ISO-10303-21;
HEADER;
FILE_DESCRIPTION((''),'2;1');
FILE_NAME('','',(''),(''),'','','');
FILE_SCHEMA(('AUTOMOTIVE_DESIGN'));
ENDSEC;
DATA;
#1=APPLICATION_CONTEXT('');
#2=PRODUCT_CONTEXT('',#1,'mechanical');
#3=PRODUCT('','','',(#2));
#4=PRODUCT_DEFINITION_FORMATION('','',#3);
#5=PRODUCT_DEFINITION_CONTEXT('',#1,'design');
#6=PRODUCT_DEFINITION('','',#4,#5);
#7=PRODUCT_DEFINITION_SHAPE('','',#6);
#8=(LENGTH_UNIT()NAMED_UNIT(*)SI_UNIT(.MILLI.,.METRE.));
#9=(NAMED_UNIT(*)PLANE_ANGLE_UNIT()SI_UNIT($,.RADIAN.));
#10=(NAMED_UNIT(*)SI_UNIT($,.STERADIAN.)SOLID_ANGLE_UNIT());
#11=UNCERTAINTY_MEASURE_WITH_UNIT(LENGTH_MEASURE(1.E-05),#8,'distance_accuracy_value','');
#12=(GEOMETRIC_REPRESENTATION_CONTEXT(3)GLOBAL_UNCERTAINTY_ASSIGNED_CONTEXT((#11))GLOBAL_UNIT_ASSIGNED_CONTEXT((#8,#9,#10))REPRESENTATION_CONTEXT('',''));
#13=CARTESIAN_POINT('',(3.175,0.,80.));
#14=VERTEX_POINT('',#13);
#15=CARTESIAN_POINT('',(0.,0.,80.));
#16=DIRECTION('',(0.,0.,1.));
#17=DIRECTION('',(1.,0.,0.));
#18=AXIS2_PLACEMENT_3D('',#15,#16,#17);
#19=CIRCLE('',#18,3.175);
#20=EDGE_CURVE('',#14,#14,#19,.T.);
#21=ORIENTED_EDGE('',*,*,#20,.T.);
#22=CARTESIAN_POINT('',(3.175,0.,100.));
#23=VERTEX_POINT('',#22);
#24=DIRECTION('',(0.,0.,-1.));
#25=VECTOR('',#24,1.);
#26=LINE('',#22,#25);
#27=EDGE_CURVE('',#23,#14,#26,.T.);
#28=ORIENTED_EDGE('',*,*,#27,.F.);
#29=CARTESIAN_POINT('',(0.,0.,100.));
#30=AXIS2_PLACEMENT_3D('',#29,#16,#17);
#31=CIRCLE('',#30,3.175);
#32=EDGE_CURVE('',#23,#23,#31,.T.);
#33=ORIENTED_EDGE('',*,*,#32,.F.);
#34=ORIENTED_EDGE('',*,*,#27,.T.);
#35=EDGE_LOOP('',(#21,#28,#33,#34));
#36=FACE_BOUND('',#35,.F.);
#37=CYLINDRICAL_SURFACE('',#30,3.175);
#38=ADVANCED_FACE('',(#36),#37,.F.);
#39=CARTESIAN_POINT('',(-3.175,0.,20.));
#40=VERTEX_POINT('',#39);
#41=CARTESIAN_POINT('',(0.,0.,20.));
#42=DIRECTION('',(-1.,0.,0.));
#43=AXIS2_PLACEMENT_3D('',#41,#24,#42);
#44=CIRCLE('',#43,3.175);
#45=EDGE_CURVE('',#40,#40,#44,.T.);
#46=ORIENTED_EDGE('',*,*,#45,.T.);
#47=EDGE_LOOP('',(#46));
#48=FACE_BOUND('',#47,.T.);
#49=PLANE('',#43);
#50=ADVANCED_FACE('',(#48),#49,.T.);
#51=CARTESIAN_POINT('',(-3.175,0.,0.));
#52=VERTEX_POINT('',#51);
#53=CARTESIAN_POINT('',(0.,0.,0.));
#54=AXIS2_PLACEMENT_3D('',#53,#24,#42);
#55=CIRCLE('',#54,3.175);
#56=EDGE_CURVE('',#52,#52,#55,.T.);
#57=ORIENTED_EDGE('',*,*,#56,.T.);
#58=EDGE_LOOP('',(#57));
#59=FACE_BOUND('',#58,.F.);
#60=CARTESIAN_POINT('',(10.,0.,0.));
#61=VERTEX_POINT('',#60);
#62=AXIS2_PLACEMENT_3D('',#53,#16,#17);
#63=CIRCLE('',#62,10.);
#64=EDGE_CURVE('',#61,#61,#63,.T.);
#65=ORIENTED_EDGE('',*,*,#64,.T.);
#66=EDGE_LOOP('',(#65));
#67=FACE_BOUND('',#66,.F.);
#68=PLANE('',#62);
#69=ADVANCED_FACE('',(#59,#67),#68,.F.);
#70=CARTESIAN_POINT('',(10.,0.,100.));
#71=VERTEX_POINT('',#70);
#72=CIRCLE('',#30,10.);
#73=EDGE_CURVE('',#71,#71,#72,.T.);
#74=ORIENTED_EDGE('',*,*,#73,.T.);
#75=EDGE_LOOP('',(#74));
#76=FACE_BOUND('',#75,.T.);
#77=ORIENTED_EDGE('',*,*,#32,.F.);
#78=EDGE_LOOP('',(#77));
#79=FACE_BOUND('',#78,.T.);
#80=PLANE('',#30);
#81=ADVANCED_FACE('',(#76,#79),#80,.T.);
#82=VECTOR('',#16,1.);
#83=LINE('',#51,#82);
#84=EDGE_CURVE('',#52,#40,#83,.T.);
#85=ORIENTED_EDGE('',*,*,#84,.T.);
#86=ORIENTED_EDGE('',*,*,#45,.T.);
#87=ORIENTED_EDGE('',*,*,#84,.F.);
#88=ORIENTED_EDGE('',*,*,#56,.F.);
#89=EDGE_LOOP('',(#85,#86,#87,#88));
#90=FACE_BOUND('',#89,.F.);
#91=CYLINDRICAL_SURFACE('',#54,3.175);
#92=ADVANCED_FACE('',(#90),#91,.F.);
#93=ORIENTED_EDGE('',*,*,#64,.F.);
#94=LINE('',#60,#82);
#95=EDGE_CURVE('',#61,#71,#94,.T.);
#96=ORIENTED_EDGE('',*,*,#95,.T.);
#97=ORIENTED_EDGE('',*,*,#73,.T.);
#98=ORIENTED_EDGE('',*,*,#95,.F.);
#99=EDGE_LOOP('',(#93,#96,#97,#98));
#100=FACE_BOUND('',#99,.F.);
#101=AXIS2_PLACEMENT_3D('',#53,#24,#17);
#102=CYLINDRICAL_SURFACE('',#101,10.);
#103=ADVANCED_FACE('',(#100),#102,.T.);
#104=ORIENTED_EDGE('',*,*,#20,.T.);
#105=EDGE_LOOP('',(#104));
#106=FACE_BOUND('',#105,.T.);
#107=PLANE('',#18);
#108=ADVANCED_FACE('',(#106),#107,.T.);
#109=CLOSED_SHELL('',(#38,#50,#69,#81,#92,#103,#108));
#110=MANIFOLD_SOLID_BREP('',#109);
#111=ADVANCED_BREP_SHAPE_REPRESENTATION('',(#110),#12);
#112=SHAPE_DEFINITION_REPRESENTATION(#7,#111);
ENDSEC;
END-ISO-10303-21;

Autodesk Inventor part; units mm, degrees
ref_plane "YZ Plane" through (0, 0, 0) normal (1, 0, 0) x (0, 1, 0)
ref_plane "XZ Plane" through (0, 0, 0) normal (0, 1, 0) x (-1, 0, 0)
ref_plane "XY Plane" through (0, 0, 0) normal (0, 0, 1) x (1, 0, 0)
sketch "Sketch1" plane through (0, 0, 0) normal (0, 0, 1) x (1, 0, 0)
  circle A0 centre (0, 0) radius 10
  dimension "d0" = 20
extrude "Extrusion1" add sketch "Sketch1" along normal blind 100
sketch "Sketch2" plane through (0, 0, 100) normal (0, 0, 1) x (1, 0, 0)
  circle A0 centre (0, 0) radius 3.175
  dimension "d3" = 6.35
extrude "Extrusion2" cut sketch "Sketch2" against normal blind 20
sketch "Sketch3" plane through (0, 0, 0) normal (0, 0, -1) x (-1, 0, 0)
  circle A0 centre (0, 0) radius 3.175 projected
  circle A1 centre (0, 0) radius 3.175
  dimension "d6" = 6.35
extrude "Extrusion3" cut sketch "Sketch3" against normal blind 20
properties part number "SupportRods"
